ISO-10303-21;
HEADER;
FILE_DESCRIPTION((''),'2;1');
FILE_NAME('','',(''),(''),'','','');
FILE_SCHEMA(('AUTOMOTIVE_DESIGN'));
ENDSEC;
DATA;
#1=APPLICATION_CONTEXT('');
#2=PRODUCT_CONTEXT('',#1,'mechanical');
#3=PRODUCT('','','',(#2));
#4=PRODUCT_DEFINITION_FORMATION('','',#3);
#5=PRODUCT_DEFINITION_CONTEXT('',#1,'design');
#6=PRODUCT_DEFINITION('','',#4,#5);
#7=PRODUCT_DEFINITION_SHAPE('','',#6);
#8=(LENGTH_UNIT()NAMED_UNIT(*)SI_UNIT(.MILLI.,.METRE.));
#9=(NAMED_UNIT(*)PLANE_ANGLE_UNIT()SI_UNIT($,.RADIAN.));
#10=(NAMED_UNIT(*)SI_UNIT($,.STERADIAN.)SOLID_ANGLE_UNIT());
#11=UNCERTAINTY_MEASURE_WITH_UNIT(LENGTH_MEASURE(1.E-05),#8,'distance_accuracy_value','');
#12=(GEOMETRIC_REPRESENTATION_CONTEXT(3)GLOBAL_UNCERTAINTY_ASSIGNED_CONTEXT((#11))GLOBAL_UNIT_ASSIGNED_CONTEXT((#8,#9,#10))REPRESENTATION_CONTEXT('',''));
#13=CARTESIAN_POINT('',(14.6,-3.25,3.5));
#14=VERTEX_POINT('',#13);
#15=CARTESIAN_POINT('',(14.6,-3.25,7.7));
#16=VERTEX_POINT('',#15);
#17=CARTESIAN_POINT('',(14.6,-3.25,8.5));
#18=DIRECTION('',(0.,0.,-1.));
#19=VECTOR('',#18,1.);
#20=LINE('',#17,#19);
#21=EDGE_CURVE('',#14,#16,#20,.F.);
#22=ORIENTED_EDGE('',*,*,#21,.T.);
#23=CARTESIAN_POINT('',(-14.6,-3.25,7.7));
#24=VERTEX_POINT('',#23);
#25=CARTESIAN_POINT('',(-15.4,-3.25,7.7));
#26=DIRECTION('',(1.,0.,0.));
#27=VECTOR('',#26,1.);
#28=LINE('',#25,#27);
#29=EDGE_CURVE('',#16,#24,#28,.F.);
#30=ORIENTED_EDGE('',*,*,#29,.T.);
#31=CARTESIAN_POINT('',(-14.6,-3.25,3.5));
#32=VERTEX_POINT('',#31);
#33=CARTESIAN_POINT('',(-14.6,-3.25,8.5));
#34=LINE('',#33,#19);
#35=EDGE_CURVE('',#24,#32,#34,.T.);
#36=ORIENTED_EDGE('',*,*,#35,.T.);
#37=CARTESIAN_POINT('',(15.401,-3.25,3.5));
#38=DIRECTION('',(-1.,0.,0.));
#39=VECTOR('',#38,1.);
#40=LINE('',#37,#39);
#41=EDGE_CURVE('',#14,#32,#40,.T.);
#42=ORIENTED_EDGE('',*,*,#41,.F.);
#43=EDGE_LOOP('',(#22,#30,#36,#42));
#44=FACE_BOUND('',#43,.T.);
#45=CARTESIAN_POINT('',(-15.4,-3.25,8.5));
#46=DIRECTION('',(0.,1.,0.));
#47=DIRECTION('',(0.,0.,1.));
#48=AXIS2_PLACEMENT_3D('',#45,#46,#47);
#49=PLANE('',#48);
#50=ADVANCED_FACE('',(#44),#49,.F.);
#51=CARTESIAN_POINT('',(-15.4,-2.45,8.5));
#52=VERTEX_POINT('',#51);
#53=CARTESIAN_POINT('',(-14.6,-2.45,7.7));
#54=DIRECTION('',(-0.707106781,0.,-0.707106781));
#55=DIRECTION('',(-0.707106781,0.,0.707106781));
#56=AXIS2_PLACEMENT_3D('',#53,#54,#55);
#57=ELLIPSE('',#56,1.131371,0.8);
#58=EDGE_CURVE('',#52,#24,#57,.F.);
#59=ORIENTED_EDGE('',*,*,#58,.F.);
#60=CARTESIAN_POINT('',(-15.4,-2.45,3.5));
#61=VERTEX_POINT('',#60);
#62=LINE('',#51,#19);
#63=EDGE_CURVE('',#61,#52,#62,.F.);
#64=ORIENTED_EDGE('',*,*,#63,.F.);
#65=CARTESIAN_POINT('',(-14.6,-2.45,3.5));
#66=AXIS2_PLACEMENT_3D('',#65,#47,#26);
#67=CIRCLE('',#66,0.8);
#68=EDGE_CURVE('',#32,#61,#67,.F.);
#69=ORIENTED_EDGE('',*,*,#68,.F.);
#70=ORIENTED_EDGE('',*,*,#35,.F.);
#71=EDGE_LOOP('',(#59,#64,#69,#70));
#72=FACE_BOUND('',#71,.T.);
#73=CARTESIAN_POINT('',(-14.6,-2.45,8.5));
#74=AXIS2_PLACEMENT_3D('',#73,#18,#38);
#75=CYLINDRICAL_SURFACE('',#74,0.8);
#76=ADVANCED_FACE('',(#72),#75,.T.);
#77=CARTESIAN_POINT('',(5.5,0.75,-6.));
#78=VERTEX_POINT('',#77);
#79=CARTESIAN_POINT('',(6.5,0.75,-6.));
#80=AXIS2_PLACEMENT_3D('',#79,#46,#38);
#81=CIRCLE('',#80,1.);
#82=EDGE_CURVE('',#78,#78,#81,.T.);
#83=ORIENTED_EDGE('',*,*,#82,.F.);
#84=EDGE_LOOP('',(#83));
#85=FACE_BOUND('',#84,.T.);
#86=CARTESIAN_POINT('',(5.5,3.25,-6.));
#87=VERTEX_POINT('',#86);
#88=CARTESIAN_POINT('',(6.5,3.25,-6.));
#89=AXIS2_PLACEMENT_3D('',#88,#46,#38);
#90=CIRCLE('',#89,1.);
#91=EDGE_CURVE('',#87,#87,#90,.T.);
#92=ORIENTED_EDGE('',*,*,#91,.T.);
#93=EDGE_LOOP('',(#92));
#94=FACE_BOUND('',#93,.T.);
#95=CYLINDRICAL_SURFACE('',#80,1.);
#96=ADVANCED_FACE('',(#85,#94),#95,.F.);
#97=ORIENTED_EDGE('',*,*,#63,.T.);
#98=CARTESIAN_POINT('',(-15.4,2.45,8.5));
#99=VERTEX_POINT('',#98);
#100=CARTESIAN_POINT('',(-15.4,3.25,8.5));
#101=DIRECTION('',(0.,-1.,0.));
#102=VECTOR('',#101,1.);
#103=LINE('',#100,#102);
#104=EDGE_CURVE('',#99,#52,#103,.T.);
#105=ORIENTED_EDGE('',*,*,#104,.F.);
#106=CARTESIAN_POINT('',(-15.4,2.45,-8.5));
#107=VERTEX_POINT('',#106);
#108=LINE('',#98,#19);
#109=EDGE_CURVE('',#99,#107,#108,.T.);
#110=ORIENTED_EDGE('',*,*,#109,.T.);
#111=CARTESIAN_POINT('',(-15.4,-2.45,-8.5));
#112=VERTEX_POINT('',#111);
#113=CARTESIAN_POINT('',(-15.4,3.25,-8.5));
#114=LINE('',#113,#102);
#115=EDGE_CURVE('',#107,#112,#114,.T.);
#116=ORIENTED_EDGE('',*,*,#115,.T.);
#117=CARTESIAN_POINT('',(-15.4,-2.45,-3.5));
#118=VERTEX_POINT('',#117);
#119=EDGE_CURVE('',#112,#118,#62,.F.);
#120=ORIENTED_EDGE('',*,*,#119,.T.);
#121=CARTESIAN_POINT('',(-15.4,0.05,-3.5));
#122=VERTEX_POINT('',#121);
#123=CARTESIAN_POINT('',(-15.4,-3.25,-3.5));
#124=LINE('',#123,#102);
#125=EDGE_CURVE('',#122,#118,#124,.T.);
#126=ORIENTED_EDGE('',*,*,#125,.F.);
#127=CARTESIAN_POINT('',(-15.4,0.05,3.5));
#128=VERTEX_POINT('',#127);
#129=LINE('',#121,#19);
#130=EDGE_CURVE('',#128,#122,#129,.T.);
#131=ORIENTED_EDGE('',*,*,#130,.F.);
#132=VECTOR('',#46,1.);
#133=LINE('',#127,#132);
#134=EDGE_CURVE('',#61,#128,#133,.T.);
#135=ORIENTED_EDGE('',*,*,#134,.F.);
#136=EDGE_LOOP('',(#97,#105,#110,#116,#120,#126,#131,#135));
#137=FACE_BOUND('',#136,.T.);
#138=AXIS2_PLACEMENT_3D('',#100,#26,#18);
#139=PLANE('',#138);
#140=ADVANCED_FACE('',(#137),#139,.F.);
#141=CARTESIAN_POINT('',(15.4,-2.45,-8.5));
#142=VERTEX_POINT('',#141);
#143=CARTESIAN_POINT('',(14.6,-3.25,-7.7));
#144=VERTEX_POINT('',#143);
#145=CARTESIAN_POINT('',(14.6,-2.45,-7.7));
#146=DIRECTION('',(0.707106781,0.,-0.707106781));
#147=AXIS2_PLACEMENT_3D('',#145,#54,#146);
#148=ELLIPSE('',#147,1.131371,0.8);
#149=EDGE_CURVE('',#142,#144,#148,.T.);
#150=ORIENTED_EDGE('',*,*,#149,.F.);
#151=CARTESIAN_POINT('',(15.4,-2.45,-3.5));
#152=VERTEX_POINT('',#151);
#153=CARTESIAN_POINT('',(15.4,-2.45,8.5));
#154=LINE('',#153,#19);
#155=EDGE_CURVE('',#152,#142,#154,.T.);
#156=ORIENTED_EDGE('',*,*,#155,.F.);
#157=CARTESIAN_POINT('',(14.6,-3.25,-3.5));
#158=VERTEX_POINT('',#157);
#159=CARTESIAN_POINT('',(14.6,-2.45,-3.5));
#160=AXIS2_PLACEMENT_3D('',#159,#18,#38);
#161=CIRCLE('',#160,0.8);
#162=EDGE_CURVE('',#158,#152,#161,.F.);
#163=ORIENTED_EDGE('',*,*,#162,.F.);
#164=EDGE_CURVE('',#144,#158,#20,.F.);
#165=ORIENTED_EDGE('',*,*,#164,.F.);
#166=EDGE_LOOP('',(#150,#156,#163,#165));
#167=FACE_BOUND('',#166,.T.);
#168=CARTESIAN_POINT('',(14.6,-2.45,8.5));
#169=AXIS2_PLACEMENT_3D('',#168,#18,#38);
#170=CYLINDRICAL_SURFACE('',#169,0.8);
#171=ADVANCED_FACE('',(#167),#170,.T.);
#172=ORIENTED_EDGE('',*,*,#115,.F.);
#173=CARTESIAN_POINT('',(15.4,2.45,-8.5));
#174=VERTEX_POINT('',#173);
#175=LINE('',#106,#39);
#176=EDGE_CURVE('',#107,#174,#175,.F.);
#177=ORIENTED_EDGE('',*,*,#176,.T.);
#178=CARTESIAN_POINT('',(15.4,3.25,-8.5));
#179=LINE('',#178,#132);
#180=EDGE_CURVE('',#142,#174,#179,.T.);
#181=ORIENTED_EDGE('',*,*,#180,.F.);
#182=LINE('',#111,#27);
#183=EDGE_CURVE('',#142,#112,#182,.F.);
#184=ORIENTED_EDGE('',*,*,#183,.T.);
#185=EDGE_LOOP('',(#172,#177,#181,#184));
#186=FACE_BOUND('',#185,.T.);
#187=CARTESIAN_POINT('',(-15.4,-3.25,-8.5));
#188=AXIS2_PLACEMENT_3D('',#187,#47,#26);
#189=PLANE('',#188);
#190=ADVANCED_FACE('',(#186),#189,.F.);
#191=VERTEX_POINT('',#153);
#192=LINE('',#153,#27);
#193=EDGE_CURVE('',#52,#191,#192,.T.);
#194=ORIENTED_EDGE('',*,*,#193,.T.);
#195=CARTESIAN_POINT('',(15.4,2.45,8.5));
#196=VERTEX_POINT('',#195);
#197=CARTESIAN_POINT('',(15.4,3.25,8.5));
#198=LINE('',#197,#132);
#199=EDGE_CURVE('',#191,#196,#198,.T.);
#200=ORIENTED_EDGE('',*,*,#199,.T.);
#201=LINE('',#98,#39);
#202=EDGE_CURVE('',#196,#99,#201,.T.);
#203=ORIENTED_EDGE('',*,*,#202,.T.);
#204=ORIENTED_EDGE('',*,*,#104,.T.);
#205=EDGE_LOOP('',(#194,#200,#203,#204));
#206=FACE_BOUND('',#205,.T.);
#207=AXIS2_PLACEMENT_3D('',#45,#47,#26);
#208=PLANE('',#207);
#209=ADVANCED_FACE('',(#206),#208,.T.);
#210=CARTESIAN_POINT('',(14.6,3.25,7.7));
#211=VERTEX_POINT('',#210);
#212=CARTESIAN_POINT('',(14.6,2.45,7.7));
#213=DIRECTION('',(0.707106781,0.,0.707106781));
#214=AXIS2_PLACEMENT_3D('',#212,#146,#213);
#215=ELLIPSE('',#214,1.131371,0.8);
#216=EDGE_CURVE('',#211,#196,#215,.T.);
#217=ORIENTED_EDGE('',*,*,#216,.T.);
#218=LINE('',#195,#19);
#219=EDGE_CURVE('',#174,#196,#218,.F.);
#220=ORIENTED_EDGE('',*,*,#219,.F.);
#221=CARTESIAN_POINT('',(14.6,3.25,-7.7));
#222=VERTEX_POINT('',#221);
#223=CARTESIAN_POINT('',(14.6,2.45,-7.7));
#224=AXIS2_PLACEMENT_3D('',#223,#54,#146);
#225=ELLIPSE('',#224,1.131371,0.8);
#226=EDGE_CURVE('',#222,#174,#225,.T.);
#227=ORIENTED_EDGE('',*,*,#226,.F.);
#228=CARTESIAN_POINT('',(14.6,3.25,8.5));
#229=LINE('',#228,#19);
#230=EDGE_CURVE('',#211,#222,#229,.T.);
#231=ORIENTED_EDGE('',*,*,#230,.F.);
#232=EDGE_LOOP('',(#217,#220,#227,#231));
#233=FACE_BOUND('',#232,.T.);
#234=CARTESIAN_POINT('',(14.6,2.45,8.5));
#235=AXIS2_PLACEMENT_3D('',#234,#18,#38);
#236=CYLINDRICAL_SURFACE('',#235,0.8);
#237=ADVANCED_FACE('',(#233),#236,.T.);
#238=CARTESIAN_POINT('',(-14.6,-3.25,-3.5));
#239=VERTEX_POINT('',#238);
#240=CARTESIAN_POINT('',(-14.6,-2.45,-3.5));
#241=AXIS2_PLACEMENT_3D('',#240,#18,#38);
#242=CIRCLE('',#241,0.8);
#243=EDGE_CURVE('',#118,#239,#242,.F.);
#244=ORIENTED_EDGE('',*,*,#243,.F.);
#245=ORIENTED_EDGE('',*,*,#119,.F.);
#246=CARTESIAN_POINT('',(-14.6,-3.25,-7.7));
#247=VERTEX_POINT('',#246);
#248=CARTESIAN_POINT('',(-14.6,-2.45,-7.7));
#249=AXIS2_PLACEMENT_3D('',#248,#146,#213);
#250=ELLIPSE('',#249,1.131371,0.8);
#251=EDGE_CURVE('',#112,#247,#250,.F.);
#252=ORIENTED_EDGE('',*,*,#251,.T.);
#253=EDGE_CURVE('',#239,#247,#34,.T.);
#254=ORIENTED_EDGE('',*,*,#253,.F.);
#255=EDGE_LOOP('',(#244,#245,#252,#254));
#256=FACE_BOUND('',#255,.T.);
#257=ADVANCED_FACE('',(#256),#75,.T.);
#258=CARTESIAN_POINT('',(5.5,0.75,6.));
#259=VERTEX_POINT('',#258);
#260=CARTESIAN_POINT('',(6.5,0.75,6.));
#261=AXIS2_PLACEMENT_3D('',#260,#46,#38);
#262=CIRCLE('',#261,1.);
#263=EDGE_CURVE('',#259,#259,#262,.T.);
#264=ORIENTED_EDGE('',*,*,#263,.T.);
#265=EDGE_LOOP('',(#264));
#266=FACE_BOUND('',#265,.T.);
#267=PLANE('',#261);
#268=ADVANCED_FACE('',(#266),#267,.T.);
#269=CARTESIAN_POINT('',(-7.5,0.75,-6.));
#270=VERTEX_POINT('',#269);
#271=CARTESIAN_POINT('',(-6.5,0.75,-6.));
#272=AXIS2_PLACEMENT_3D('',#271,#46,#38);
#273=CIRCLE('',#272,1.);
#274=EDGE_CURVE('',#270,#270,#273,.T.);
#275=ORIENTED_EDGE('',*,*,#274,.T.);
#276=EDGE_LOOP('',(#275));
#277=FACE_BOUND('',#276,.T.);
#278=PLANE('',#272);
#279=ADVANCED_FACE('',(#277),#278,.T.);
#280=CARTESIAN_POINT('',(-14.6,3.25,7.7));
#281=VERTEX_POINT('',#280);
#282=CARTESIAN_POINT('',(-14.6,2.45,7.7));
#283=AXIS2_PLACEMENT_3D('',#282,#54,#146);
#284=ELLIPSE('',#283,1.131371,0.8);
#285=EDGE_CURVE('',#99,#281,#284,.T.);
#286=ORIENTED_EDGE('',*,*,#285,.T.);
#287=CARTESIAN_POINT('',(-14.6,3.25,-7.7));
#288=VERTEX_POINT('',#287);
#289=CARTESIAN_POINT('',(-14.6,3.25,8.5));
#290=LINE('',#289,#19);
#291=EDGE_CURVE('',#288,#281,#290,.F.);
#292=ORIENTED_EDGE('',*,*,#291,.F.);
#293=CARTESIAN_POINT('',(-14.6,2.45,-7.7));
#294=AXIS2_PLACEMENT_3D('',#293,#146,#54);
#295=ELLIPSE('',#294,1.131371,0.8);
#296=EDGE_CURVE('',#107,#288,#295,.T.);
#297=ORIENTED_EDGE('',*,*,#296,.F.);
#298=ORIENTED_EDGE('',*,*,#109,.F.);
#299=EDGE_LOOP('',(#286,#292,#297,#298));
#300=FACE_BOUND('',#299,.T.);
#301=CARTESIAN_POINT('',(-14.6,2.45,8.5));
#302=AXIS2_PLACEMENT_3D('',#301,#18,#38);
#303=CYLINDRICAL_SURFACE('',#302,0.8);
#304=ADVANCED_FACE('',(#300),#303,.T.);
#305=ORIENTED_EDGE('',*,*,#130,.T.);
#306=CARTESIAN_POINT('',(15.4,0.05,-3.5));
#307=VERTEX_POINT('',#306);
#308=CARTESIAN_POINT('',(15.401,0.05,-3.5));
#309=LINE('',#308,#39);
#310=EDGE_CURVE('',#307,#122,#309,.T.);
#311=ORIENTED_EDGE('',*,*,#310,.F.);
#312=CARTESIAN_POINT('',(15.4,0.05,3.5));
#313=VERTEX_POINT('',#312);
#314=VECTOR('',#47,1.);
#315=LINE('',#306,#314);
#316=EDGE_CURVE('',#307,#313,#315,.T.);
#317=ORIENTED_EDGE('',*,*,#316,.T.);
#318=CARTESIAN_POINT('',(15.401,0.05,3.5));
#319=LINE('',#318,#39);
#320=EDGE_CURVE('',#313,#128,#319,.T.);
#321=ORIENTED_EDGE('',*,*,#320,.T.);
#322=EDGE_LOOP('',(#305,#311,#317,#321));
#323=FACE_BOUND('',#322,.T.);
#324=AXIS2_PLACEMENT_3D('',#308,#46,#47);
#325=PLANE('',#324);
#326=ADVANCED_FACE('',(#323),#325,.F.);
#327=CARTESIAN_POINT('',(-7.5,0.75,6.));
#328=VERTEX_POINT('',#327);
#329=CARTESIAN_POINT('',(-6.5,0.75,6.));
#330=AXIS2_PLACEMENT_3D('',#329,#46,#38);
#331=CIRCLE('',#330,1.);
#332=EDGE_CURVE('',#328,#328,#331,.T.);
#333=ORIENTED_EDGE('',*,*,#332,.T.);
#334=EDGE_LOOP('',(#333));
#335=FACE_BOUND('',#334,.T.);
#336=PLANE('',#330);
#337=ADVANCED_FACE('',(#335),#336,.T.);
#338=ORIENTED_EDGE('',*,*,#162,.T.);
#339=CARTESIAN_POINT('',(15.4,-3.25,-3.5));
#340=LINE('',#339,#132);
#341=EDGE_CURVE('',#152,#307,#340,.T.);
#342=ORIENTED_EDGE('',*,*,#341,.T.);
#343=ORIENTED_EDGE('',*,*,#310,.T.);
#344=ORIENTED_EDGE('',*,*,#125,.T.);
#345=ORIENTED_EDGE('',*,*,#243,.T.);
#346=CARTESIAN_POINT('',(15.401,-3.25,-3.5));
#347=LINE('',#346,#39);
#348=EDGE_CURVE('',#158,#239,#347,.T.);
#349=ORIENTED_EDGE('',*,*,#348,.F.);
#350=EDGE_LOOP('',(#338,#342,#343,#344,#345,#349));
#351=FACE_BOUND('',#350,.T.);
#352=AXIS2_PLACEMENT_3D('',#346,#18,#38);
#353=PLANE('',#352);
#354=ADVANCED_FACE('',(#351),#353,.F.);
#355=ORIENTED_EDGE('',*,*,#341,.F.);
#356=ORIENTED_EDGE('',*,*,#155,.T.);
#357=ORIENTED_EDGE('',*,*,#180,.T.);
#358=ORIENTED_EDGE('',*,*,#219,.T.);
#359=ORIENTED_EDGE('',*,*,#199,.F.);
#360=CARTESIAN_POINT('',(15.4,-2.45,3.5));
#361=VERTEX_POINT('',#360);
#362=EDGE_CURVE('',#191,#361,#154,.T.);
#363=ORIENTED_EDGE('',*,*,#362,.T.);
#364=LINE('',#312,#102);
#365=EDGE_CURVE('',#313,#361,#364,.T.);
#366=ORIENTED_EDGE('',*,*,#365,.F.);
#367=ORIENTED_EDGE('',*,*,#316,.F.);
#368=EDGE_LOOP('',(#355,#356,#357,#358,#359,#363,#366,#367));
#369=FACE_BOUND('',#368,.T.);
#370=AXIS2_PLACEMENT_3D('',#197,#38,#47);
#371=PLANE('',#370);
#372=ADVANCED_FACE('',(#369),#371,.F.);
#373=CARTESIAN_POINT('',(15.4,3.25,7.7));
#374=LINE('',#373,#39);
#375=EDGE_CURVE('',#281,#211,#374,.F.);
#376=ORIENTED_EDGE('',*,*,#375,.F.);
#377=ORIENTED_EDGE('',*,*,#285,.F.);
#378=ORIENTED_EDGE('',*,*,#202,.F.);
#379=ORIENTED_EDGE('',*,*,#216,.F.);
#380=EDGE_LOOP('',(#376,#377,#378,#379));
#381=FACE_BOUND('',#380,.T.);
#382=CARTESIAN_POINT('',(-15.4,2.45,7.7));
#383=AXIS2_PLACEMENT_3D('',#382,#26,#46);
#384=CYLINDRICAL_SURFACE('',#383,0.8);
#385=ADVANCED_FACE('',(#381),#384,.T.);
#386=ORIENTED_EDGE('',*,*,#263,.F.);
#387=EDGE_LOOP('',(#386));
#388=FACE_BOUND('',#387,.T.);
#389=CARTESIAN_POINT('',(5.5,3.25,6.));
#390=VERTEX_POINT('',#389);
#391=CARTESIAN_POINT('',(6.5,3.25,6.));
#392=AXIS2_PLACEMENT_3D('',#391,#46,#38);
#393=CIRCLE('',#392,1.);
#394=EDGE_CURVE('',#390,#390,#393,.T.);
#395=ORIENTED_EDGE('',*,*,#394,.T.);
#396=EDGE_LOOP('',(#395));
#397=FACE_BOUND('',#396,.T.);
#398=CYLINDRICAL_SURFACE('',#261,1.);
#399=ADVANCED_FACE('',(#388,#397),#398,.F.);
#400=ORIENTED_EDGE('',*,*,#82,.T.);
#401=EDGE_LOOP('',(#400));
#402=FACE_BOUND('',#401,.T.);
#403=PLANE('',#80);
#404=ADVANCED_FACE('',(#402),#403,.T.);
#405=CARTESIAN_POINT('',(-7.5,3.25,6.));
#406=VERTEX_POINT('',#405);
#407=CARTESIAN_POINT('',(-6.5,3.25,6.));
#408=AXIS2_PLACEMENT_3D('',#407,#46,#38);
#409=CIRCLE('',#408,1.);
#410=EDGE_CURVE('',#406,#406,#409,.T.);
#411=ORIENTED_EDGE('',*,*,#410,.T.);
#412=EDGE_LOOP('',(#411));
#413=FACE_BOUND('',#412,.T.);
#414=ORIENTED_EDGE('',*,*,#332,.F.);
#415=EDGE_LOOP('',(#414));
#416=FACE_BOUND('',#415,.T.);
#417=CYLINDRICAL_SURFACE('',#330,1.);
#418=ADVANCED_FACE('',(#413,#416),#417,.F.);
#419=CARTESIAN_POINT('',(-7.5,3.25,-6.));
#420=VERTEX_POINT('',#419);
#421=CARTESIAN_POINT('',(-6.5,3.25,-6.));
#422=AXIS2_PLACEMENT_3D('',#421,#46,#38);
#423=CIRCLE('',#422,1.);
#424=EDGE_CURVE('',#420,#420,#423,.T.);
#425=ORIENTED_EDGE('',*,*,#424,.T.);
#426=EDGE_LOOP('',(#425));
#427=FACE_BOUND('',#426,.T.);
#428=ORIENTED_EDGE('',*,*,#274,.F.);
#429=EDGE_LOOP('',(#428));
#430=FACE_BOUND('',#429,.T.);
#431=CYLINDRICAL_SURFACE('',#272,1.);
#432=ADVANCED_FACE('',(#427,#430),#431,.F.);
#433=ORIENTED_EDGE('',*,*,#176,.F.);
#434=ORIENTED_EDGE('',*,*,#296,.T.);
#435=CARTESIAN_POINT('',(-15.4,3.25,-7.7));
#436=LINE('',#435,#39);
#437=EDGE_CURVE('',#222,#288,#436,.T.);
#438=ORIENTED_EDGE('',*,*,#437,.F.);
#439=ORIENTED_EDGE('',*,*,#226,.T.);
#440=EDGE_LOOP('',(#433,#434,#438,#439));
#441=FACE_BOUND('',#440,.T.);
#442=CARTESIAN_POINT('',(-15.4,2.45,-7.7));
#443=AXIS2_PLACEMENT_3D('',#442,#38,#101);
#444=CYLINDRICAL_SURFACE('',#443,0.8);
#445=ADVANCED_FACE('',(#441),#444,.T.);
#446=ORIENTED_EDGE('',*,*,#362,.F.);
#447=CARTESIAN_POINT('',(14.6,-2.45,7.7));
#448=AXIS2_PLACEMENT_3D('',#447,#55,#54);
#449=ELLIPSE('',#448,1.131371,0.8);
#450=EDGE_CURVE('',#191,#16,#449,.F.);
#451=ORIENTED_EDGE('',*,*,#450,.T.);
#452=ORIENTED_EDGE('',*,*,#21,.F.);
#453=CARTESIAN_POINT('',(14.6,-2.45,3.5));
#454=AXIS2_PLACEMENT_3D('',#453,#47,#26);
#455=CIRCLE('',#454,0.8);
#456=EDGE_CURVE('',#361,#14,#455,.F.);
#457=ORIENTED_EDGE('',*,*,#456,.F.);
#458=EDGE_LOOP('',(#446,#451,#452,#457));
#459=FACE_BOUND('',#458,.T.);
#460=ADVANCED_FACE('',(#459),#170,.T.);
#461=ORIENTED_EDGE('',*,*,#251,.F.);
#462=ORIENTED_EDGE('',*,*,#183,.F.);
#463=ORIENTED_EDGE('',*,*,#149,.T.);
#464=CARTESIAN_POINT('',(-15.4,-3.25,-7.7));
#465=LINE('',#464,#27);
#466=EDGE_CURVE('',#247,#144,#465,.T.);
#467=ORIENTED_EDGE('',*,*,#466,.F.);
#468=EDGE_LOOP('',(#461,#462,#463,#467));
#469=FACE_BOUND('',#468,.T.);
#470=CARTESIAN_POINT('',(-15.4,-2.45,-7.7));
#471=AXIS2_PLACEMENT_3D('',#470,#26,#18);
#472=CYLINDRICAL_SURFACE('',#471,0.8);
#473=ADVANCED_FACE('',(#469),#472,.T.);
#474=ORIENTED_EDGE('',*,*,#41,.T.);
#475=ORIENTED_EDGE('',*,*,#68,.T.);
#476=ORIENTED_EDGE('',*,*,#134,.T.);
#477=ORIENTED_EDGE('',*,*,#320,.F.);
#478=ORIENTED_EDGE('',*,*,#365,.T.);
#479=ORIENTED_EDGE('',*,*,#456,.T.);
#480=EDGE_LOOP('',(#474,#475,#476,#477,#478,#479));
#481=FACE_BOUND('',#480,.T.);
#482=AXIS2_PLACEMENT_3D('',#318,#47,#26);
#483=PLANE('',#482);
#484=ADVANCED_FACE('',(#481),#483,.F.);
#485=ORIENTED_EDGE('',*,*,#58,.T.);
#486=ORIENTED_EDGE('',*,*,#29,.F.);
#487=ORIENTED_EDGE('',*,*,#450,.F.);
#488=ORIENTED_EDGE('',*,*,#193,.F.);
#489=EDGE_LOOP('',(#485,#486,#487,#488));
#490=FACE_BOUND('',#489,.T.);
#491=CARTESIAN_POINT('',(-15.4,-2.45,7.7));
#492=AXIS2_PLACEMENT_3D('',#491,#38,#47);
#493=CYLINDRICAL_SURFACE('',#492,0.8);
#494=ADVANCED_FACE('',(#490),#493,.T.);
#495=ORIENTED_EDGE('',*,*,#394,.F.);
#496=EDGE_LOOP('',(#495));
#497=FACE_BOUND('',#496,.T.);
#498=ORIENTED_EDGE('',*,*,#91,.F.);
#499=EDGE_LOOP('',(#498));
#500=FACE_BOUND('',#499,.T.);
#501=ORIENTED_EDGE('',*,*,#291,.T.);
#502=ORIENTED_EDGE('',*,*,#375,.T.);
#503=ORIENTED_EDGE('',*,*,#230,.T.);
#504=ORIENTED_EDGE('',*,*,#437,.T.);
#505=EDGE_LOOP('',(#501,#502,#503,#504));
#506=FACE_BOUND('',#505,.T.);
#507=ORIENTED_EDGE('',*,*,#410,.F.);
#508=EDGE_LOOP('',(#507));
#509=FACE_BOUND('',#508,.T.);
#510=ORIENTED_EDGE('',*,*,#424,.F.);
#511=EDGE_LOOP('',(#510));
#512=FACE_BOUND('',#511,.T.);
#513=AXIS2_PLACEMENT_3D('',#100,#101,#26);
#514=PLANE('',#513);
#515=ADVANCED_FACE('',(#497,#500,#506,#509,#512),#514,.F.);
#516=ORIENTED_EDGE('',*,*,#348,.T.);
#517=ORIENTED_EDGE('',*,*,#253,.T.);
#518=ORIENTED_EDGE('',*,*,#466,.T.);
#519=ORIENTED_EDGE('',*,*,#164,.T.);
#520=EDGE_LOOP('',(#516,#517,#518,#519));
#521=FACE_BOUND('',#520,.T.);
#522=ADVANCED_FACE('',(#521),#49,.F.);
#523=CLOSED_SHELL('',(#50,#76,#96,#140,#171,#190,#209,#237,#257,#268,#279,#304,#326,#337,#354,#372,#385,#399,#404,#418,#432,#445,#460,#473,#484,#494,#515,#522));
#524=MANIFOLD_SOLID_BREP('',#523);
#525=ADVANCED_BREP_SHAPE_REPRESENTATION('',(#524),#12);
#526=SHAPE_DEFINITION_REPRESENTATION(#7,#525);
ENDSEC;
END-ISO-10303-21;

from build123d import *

# Parameters (mm, degrees)
SKETCH_1_W          = 30.8
SKETCH_1_H          = 6.5
EXTRUDE_1_DEPTH     = 8.5
SKETCH_2_R          = 1
CUT_EXTRUDE_1_DEPTH = 2.5
CUT_EXTRUDE_2_REACH = 32.8
SKETCH_3_W          = 7
SKETCH_3_H          = 3.3
FILLET_1_R          = 0.8


with BuildPart() as part:
    # 草图1 → 凸台-拉伸1 (new body, symmetric)
    with BuildSketch(Plane.XY):
        Rectangle(SKETCH_1_W, SKETCH_1_H)
    extrude(amount=EXTRUDE_1_DEPTH, both=True)

    # 草图2 → 切除-拉伸1 (cut)
    with BuildSketch(Plane(origin=(0, 3.25, 0), x_dir=(1, 0, 0), z_dir=(0, 1, 0))):
        with Locations((-6.5, 6)):
            Circle(SKETCH_2_R)
        with Locations((-6.5, -6)):
            Circle(SKETCH_2_R)
        with Locations((6.5, 6)):
            Circle(SKETCH_2_R)
        with Locations((6.5, -6)):
            Circle(SKETCH_2_R)
    extrude(amount=-CUT_EXTRUDE_1_DEPTH, mode=Mode.SUBTRACT)

    # 草图3 → 切除-拉伸2 (cut, up to next)
    with BuildSketch(Plane.ZY.offset(15.4), mode=Mode.PRIVATE) as cut_extrude_2_sk1:
        with Locations((0, -1.6)):
            Rectangle(SKETCH_3_W, SKETCH_3_H)
    cut_extrude_2_tool1 = extrude(cut_extrude_2_sk1.sketch, amount=-CUT_EXTRUDE_2_REACH, mode=Mode.PRIVATE) & part.part
    add(cut_extrude_2_tool1.solids().sort_by_distance((-15.4, -1.6, 0))[0], mode=Mode.SUBTRACT)

    # 圆角1
    fillet_1_edges = [part.edges().sort_by_distance(p)[0] for p in [
        (0, 3.25, 8.5),
        (15.4, -3.25, -6),
        (-15.4, -3.25, -6),
        (0, 3.25, -8.5),
        (0, -3.25, -8.5),
        (0, -3.25, 8.5),
        (-15.4, 3.25, 0),
        (15.4, 3.25, 0),
        (15.4, -3.25, 6),
        (-15.4, -3.25, 6),
    ]]
    fillet(fillet_1_edges, radius=FILLET_1_R)


solid = part.part
